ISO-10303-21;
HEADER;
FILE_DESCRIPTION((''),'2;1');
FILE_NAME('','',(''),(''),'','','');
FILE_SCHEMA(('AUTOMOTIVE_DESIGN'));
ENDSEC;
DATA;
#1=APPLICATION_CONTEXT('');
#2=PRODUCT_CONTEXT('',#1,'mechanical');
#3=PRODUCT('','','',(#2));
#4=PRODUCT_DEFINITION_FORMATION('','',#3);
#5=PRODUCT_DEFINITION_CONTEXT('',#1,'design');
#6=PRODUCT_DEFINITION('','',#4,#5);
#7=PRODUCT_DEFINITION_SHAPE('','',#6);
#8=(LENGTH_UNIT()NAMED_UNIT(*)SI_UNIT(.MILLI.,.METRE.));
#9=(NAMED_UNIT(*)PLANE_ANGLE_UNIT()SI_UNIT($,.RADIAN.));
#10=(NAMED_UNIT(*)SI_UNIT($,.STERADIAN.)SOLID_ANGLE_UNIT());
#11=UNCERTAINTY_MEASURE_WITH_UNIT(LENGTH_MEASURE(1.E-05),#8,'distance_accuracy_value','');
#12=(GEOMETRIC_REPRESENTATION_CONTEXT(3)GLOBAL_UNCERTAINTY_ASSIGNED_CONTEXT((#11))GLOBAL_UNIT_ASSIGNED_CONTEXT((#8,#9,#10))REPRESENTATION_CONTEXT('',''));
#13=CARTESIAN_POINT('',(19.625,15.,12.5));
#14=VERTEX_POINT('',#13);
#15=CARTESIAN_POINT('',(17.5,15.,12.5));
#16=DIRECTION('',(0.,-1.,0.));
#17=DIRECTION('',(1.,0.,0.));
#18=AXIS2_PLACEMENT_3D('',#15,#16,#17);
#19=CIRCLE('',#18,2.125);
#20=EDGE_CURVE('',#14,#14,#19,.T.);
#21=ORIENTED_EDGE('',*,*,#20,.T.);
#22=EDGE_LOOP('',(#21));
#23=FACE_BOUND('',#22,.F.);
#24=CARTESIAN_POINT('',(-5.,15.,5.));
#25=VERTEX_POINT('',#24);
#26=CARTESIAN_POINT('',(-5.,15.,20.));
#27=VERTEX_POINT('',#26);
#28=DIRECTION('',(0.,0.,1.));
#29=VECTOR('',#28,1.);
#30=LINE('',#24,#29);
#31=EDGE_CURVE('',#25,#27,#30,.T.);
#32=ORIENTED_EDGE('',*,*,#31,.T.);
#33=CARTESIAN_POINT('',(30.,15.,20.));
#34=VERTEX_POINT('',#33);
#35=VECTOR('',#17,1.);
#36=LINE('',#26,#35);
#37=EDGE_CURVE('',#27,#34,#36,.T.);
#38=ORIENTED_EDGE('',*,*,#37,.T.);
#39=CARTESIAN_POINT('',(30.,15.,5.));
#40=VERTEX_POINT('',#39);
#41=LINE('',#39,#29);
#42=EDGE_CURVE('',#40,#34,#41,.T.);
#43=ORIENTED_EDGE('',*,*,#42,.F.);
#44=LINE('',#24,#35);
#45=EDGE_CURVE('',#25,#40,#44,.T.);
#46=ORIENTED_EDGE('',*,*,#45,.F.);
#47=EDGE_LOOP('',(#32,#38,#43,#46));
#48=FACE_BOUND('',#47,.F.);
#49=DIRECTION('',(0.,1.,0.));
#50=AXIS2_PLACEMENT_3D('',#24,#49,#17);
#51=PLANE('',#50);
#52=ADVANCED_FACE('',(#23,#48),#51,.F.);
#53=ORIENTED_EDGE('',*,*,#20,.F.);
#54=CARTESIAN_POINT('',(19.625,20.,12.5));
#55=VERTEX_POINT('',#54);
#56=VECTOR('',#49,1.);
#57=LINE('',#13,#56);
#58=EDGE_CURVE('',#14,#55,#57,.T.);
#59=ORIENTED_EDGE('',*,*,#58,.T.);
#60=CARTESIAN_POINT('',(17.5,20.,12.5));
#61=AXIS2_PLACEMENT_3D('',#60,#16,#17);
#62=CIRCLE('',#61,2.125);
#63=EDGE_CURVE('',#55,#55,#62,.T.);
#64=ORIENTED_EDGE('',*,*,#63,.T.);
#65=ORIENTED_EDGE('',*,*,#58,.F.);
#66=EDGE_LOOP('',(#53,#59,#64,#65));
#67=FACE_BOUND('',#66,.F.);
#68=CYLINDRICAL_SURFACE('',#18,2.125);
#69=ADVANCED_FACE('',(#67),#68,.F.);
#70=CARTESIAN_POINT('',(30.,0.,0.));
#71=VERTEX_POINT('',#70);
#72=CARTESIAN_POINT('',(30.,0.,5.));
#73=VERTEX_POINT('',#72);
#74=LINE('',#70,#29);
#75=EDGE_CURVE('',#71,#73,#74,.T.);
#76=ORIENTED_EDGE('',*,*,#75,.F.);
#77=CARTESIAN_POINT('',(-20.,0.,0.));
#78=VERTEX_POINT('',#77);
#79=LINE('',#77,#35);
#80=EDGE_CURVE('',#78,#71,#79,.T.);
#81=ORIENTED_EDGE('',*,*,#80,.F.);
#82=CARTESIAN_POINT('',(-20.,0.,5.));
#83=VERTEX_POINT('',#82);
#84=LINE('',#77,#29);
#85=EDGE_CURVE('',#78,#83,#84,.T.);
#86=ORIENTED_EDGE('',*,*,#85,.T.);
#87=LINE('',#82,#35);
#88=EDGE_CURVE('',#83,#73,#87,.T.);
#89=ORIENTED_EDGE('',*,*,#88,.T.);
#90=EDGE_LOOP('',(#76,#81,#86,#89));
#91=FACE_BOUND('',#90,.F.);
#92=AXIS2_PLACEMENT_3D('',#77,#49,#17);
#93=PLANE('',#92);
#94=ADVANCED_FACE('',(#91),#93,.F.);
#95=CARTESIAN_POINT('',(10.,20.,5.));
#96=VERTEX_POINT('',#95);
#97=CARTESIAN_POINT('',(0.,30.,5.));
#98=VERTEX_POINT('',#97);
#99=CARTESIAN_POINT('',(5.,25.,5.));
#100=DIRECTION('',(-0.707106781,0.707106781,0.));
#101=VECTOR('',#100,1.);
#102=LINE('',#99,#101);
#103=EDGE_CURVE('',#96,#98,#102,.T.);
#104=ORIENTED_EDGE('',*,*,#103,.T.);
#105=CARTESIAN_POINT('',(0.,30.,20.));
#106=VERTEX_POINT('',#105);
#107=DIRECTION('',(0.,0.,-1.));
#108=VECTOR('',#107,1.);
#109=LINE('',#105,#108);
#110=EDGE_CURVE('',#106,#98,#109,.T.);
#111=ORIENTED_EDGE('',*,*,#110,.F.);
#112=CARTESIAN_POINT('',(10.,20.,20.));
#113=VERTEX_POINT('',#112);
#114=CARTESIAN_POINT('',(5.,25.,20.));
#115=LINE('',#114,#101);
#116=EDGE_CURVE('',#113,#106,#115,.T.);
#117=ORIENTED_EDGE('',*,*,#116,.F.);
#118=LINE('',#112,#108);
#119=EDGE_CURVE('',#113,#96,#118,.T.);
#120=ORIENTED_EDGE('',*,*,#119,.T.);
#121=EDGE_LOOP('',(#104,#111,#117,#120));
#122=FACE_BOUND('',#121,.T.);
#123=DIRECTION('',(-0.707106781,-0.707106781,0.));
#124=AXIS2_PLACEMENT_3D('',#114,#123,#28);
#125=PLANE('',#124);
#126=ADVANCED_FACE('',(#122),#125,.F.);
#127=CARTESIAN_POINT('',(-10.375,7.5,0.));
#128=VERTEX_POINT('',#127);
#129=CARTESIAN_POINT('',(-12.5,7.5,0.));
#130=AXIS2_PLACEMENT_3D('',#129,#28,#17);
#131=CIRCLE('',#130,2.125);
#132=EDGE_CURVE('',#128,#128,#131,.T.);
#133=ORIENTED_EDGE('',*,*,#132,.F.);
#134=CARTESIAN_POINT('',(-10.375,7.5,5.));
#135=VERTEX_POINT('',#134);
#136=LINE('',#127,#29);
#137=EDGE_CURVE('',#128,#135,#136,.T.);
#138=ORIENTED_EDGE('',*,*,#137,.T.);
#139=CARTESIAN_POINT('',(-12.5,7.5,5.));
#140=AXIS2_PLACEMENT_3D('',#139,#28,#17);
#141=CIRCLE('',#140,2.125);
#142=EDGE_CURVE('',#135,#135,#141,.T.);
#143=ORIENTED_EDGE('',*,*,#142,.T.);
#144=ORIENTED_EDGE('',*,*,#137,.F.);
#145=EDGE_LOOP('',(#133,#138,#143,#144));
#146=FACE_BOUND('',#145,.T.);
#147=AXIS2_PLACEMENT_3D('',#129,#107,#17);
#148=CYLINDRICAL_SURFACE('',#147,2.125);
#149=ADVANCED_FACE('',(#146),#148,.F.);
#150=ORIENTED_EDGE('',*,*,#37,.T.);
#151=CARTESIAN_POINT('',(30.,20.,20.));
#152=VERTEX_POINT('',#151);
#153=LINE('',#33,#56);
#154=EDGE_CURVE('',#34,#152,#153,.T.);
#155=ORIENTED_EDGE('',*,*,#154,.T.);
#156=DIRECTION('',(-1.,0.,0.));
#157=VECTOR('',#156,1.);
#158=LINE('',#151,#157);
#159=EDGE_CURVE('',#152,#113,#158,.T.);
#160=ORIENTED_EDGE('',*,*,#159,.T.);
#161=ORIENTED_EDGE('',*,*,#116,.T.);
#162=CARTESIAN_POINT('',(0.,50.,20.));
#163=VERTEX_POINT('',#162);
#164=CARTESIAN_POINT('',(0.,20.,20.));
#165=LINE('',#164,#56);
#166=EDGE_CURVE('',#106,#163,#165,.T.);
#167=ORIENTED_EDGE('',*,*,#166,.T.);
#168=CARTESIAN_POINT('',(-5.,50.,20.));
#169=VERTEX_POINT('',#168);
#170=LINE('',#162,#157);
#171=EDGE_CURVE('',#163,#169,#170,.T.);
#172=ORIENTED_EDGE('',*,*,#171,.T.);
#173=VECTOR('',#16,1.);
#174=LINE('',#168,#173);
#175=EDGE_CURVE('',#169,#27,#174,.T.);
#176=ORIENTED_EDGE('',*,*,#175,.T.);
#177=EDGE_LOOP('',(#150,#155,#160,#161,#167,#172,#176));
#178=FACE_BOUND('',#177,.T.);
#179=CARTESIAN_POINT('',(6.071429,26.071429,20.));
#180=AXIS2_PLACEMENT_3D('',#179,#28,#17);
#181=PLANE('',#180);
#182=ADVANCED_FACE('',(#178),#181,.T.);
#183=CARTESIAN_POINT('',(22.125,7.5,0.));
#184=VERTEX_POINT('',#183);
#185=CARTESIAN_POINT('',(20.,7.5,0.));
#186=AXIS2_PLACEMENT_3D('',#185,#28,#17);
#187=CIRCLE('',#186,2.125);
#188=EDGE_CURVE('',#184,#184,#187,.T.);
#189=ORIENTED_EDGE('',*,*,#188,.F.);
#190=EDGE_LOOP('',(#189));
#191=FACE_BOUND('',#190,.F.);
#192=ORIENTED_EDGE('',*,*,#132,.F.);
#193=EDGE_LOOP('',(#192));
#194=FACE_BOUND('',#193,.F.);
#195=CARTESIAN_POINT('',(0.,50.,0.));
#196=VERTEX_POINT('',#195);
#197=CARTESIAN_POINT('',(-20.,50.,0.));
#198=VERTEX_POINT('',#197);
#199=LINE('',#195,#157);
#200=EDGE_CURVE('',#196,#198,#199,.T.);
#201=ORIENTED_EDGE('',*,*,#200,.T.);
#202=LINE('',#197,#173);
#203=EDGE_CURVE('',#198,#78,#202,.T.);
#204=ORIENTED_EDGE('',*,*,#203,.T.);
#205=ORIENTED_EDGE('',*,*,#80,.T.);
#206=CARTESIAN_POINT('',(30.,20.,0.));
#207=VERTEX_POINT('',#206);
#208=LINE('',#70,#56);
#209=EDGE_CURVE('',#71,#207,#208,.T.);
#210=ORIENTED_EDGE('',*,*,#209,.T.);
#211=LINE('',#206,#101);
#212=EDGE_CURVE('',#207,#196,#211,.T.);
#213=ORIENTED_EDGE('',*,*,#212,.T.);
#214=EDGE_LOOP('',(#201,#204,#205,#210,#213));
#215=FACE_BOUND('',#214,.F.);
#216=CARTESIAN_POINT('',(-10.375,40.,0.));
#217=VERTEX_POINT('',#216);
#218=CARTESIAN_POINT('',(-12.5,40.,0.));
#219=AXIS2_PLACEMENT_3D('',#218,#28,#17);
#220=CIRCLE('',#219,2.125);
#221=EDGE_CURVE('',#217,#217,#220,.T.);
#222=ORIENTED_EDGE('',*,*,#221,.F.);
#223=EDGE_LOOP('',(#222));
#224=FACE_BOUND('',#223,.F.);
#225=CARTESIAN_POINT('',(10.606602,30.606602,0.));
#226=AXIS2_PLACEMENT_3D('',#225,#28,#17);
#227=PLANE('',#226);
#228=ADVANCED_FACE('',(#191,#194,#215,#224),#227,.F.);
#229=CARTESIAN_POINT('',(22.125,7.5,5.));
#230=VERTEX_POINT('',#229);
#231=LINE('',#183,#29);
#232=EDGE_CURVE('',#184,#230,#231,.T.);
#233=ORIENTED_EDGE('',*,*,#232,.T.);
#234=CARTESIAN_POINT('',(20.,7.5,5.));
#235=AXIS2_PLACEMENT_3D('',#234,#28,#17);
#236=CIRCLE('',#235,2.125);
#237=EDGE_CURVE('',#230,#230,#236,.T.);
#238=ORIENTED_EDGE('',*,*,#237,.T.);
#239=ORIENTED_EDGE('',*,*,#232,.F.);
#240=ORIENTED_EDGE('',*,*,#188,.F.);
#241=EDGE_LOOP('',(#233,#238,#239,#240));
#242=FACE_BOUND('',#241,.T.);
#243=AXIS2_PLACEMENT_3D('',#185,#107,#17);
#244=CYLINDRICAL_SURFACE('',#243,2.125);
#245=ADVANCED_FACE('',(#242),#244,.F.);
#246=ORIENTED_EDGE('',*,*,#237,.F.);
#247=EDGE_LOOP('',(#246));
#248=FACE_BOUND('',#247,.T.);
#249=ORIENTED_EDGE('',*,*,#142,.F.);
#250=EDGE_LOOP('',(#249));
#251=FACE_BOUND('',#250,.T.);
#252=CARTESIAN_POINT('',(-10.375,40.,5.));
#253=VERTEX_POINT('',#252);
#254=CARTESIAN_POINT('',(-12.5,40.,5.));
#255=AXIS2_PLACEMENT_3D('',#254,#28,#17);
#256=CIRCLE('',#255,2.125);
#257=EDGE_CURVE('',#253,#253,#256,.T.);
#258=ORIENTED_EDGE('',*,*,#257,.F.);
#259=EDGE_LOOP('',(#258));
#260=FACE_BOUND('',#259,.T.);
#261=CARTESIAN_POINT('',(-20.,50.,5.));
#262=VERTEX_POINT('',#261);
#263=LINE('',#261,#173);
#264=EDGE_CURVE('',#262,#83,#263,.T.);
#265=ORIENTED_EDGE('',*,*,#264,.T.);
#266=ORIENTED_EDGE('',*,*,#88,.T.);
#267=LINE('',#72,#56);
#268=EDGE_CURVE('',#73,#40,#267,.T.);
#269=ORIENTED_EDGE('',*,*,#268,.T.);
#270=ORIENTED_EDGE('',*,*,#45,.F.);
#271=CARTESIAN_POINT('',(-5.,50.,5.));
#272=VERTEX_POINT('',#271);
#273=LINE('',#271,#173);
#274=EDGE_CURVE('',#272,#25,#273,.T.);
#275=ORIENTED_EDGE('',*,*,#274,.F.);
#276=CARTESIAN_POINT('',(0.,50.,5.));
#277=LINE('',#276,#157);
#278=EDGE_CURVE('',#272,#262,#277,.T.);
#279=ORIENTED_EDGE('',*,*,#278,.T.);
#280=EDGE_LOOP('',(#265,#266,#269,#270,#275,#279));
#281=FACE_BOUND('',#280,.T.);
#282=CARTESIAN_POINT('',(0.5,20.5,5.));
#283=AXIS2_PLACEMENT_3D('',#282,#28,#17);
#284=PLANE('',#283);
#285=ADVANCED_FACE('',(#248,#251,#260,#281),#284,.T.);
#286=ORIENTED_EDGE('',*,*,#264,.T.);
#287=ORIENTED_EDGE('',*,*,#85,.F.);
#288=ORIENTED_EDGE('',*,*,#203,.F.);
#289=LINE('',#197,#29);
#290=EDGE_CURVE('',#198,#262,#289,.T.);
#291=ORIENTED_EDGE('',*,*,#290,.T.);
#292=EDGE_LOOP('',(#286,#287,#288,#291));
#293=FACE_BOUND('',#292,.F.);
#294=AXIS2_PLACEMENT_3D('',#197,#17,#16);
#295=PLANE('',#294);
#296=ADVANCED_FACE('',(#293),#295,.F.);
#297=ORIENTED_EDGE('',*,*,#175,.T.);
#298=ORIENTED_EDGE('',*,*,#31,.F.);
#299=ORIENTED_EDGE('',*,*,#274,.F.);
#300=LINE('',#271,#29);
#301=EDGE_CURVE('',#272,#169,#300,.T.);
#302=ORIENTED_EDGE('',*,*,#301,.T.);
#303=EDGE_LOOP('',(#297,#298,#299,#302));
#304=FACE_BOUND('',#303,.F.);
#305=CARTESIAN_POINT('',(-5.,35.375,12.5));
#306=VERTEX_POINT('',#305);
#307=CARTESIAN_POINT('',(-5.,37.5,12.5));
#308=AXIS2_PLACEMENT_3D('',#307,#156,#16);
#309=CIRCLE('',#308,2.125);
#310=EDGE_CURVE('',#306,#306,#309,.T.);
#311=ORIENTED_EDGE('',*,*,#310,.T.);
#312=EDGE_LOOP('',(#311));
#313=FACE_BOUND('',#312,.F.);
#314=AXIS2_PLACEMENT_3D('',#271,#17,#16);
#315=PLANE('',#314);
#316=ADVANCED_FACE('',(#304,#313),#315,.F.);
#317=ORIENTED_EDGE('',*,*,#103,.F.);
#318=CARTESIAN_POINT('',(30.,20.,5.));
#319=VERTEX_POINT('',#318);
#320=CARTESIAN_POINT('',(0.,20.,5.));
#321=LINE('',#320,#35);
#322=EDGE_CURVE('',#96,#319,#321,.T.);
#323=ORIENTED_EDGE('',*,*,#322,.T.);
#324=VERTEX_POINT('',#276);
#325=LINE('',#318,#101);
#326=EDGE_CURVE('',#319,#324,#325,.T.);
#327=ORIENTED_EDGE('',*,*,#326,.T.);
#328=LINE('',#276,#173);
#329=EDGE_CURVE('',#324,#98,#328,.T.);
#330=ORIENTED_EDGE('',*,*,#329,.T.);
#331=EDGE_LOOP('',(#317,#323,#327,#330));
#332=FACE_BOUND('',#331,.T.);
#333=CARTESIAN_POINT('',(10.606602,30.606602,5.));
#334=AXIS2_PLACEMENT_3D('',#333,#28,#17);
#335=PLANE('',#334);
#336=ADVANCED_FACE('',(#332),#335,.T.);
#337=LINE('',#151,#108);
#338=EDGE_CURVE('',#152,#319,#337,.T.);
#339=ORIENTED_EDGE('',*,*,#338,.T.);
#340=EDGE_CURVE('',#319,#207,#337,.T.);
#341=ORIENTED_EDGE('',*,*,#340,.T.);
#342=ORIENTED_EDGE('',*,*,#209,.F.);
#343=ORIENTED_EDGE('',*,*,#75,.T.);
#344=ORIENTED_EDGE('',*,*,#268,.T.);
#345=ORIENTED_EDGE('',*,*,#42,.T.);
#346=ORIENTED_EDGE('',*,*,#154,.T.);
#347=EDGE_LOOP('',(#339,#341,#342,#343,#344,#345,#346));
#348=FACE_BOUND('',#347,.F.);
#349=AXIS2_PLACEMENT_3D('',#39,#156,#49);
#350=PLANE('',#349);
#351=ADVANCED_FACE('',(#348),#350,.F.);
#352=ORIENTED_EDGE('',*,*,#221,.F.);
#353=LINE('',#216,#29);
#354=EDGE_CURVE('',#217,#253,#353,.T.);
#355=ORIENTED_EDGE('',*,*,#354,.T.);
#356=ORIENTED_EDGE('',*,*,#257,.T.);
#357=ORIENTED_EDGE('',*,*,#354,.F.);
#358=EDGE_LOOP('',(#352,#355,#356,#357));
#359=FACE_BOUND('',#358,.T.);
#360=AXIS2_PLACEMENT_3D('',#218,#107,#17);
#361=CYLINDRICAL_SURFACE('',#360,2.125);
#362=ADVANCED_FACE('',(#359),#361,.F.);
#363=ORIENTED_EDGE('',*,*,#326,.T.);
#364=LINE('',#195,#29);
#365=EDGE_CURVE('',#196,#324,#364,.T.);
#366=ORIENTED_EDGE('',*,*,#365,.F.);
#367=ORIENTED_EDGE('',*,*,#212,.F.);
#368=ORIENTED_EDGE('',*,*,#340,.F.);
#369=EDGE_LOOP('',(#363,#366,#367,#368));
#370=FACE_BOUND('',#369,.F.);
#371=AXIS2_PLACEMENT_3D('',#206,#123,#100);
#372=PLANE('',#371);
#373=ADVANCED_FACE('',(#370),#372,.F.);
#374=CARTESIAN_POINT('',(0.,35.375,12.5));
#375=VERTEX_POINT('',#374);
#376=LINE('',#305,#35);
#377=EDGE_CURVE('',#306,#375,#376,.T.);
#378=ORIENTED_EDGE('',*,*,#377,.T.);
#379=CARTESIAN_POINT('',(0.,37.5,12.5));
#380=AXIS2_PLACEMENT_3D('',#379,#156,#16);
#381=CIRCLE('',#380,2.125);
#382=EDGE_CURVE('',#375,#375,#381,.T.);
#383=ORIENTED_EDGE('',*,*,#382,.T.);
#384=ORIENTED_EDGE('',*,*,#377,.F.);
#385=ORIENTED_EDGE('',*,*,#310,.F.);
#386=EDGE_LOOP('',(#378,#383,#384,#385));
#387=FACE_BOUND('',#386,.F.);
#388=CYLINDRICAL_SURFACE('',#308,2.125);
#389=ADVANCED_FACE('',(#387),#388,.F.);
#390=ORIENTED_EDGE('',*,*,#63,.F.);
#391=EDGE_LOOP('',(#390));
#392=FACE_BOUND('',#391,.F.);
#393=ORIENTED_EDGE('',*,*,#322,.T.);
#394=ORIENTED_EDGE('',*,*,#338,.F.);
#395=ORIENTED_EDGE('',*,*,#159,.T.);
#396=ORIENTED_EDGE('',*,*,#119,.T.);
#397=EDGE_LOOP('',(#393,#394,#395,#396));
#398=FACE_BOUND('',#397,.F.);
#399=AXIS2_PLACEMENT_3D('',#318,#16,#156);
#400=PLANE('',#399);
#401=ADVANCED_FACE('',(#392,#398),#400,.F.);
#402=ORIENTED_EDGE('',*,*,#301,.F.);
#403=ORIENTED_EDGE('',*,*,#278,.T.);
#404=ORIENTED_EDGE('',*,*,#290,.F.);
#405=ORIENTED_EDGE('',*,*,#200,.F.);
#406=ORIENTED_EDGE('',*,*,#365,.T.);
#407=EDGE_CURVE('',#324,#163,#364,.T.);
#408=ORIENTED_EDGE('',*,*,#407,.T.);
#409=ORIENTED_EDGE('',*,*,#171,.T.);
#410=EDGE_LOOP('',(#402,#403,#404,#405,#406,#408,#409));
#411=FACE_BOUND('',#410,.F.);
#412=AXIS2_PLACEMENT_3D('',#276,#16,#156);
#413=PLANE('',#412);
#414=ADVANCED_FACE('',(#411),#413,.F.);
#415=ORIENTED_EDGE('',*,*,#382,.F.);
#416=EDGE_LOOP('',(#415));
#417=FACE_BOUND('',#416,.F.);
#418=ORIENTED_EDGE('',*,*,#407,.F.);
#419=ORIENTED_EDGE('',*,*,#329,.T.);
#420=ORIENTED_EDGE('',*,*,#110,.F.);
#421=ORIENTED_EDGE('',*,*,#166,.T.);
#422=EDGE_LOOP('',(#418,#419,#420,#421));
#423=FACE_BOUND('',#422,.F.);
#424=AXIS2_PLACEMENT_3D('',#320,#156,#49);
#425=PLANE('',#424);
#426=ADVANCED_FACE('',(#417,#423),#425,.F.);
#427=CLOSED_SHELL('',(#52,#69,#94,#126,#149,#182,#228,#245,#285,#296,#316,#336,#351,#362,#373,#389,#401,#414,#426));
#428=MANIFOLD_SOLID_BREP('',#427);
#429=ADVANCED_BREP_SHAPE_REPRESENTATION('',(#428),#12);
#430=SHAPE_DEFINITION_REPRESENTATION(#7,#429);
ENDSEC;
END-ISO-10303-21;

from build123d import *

# Parameters (mm, degrees)
F0_R     = 2.125
F1_DEPTH = 5
F3_DEPTH = 15
F4_R     = 2.125
F5_DEPTH = 5
F6_R     = 2.125
F7_DEPTH = 5
F9_DEPTH = 5
F10_SIZE = 10


with BuildPart() as f1:
    # F0 (on Top) → F1 (new body)
    with BuildSketch(Plane.XY):
        Polygon((0, 20), (0, 50), (-20, 50), (-20, 0), (30, 0), (30, 20), align=None)
        with Locations((-12.5, 7.5)):
            Circle(F0_R, mode=Mode.SUBTRACT)
        with Locations((20, 7.5)):
            Circle(F0_R, mode=Mode.SUBTRACT)
        with Locations((-12.5, 40)):
            Circle(F0_R, mode=Mode.SUBTRACT)
    extrude(amount=F1_DEPTH)

    # F2 (on face) → F3 (join)
    with BuildSketch(Plane.XY.offset(5)):
        Polygon((0, 20), (0, 50), (-5, 50), (-5, 15), (30, 15), (30, 20), align=None)
    extrude(amount=F3_DEPTH)

    # F4 (on face) → F5 (cut)
    with BuildSketch(Plane(origin=(-5, 0, 0), x_dir=(0, -1, 0), z_dir=(-1, 0, 0))):
        with Locations((-37.5, 12.5)):
            Circle(F4_R)
    extrude(amount=-F5_DEPTH, mode=Mode.SUBTRACT)

    # F6 (on face) → F7 (cut)
    with BuildSketch(Plane.XZ.offset(-15)):
        with Locations((17.5, 12.5)):
            Circle(F6_R)
    extrude(amount=-F7_DEPTH, mode=Mode.SUBTRACT)

    # F8 (on Top) → F9 (join)
    with BuildSketch(Plane.XY):
        Polygon((30, 20), (0, 50), (0, 20), align=None)
    extrude(amount=F9_DEPTH)

    # F10
    f10_edges = [f1.edges().sort_by_distance(p)[0] for p in [
        (0, 20, 12.5),
    ]]
    chamfer(f10_edges, length=F10_SIZE)


solid = f1.part
